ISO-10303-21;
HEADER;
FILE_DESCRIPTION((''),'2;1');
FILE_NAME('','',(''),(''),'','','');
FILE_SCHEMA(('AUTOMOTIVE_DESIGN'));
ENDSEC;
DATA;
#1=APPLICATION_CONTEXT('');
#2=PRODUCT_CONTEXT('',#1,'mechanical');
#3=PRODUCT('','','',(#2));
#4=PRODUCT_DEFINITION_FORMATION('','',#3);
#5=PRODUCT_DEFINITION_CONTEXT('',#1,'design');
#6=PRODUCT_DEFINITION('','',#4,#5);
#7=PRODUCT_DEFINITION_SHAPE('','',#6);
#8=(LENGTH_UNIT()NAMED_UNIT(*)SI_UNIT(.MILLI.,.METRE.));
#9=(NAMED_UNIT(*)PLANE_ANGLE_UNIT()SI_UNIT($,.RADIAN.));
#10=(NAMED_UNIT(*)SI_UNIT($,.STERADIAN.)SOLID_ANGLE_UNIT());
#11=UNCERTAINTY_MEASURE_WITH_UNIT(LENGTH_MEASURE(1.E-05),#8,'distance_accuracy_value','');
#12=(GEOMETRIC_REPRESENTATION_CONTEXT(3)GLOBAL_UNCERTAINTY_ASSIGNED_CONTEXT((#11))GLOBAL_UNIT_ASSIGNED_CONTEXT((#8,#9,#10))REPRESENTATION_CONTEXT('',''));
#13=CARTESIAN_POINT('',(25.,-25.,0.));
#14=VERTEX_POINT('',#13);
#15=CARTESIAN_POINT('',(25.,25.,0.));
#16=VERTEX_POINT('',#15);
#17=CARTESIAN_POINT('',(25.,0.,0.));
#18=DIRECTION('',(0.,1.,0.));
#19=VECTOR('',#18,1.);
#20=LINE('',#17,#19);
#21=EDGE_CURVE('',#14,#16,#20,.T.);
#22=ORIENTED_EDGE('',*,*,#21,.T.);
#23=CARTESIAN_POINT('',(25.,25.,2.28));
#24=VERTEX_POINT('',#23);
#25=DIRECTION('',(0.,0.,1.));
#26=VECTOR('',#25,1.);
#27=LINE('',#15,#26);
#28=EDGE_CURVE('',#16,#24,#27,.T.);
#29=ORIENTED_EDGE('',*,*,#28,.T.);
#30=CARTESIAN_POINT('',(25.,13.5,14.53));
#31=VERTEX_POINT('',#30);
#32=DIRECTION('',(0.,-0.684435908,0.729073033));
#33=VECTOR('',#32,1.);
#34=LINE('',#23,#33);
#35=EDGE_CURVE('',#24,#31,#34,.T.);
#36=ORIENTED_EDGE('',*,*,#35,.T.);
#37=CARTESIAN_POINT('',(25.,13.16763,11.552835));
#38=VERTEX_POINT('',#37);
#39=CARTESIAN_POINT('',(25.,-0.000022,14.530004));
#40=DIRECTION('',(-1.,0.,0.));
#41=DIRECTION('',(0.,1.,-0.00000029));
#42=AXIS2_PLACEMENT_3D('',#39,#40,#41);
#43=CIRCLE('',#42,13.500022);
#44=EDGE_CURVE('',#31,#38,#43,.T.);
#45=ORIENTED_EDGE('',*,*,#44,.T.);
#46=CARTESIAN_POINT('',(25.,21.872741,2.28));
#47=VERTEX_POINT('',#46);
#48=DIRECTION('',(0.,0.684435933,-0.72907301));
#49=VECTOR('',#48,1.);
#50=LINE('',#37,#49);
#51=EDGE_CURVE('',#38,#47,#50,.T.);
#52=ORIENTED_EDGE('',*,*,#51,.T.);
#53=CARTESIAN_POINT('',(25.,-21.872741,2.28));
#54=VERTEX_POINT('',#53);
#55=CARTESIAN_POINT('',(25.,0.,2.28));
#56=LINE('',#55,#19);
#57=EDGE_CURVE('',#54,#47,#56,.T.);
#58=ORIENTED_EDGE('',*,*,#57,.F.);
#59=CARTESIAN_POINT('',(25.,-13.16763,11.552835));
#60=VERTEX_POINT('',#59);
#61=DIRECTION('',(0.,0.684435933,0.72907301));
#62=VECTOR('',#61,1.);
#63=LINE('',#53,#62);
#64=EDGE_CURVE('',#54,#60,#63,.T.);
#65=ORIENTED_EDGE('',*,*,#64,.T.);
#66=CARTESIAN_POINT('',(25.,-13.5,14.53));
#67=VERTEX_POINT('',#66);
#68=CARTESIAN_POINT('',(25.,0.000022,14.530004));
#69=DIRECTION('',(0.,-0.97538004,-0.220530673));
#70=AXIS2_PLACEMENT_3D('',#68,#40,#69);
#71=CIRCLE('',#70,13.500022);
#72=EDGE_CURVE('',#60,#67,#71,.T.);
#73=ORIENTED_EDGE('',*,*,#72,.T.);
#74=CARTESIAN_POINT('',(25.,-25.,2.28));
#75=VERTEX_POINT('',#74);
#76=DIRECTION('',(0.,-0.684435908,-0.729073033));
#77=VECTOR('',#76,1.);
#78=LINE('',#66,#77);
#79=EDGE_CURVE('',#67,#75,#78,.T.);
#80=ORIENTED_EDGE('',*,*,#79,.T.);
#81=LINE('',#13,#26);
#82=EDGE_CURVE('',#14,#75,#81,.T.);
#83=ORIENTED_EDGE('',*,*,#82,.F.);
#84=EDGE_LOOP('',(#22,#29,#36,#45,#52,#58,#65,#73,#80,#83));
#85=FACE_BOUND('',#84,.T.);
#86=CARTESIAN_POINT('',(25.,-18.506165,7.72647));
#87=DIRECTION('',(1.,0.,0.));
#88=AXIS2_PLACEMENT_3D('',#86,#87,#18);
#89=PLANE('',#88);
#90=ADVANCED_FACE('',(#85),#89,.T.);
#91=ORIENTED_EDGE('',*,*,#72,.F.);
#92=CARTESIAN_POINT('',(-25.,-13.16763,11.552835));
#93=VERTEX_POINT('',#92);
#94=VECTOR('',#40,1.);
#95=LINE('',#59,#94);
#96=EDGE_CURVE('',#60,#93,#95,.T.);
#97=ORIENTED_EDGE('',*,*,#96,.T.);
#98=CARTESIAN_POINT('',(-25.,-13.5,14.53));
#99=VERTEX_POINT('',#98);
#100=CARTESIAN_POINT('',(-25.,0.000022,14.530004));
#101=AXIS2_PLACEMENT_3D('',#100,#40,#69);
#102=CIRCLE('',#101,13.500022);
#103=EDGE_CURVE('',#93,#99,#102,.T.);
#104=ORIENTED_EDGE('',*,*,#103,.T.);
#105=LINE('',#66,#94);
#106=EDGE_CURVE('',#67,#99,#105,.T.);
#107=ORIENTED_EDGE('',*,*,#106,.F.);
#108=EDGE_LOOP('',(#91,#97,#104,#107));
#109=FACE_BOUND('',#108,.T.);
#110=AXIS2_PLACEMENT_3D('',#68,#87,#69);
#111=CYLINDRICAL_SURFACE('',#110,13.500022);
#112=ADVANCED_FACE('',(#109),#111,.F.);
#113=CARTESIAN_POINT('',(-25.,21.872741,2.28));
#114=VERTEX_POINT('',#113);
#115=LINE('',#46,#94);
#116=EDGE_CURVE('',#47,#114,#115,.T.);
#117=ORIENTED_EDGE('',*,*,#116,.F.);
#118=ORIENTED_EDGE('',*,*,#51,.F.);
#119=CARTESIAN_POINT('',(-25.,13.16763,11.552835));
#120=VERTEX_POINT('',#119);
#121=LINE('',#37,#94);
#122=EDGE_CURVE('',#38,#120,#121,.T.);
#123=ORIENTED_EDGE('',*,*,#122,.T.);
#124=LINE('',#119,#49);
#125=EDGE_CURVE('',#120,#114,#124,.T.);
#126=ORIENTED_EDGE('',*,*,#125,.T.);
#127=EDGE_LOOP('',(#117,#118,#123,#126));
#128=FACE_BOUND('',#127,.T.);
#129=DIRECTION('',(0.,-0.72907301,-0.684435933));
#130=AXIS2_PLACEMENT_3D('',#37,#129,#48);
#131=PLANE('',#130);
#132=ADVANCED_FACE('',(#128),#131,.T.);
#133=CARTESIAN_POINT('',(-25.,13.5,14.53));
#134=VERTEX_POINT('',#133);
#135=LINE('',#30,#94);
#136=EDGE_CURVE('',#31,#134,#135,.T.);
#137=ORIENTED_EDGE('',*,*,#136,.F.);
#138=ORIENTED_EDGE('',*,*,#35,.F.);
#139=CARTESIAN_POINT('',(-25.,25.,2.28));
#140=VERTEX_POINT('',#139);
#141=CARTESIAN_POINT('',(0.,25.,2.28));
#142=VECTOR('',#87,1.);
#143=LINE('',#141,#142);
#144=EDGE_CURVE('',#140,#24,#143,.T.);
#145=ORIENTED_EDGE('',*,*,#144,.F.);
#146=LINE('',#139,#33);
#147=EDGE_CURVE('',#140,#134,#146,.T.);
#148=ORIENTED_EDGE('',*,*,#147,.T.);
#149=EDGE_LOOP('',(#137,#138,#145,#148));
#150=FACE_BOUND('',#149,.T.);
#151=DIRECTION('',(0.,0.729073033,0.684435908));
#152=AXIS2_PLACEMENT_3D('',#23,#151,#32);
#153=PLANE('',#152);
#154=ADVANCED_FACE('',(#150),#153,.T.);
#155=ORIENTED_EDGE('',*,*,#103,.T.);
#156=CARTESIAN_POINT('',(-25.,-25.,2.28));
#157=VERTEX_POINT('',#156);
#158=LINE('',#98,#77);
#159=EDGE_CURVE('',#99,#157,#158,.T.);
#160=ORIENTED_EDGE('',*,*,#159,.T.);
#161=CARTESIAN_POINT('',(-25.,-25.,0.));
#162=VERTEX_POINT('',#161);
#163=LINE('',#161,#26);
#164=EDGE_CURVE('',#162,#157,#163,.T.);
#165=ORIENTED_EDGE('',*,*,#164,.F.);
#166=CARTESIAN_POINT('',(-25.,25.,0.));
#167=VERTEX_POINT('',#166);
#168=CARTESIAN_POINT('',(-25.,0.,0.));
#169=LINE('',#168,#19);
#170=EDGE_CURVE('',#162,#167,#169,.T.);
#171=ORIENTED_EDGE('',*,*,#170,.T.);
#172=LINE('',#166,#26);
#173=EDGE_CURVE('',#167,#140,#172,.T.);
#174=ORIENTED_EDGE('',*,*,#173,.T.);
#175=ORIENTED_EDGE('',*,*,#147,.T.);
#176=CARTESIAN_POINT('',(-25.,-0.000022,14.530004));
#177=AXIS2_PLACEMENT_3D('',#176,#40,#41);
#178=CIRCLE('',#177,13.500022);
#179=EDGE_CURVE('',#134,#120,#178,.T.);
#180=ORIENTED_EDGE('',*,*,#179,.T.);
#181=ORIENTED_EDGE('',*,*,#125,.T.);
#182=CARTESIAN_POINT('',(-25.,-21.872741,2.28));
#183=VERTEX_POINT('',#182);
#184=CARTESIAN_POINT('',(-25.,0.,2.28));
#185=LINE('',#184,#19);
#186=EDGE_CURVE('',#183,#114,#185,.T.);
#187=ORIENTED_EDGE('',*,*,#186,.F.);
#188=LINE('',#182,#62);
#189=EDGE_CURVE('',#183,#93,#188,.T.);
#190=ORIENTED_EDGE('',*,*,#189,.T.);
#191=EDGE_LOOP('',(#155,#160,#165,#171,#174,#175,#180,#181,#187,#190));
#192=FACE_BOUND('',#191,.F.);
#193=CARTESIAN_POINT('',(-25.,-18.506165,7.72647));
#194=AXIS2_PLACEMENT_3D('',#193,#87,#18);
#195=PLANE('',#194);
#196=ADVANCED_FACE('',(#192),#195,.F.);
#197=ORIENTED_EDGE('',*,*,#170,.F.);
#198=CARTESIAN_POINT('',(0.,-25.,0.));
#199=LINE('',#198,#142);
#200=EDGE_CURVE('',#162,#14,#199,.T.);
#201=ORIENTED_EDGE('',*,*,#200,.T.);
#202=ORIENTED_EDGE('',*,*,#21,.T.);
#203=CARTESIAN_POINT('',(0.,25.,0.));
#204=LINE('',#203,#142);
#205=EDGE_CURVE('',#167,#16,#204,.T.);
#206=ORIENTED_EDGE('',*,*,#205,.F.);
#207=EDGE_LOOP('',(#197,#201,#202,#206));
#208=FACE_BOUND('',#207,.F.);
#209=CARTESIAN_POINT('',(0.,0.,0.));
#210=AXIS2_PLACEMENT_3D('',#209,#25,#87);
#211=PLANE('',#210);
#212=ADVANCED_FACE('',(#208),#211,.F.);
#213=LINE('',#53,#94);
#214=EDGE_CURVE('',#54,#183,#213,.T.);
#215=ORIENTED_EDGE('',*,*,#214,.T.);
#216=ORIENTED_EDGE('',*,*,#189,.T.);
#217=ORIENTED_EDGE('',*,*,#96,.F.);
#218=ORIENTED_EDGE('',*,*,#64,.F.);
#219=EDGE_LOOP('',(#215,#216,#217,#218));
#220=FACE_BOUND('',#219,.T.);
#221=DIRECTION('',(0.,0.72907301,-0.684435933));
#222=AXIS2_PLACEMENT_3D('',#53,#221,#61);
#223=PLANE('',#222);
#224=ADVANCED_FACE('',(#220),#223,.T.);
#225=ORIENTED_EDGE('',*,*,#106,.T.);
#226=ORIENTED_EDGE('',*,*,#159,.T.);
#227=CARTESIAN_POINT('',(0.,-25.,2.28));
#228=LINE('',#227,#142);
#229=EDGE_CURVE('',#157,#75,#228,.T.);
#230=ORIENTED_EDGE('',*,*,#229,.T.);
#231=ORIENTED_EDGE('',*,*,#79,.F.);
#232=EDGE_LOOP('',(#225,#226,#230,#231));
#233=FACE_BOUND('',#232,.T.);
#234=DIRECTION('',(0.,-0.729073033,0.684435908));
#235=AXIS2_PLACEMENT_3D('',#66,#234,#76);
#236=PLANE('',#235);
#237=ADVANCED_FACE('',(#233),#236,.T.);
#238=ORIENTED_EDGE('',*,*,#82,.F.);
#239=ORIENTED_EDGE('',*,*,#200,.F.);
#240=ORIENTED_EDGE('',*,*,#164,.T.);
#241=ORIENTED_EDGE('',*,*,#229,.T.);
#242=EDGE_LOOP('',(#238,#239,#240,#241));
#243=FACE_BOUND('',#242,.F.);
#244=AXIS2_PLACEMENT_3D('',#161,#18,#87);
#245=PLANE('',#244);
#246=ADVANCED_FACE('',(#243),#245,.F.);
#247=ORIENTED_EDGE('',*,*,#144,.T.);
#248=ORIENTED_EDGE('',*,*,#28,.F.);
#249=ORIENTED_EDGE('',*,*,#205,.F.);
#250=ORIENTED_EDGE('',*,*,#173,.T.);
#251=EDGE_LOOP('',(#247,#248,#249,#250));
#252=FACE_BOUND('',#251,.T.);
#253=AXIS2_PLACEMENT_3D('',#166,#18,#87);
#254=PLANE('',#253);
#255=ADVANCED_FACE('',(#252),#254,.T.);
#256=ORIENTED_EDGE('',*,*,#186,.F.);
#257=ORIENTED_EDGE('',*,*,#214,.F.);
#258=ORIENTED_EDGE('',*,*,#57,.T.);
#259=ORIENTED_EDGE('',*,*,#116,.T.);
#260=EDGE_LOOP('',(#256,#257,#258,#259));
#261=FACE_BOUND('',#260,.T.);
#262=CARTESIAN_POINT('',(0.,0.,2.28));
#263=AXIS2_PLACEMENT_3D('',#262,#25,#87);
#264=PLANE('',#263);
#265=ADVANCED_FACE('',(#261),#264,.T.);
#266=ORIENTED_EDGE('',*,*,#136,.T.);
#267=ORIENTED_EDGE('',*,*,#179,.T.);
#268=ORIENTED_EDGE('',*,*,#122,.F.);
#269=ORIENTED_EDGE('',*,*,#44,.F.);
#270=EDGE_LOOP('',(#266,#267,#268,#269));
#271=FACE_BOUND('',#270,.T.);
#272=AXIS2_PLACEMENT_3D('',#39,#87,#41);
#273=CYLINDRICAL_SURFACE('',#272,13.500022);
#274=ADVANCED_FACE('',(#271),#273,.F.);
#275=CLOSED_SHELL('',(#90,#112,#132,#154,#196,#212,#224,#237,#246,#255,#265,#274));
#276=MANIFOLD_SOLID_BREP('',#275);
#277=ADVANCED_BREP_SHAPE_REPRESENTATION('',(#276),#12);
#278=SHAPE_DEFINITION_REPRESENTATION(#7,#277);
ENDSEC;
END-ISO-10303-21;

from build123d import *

# Parameters (mm, degrees)
F0_W     = 50
F0_H     = 50
F1_DEPTH = 2.28
F3_DEPTH = 50


with BuildPart() as f1:
    # F0 (on Top) → F1 (new body)
    with BuildSketch(Plane.XY):
        Rectangle(F0_W, F0_H)
    extrude(amount=F1_DEPTH)

    # F2 (on face) → F3 (join)
    with BuildSketch(Plane.YZ.offset(25)):
        with BuildLine():
            Line((-13.5, 14.53), (-25, 2.28))
            Line((-25, 2.28), (-21.872741, 2.28))
            Line((-21.872741, 2.28), (-13.16763, 11.552835))
            ThreePointArc((-13.16763, 11.552835), (-13.41665, 13.03217), (-13.5, 14.53))
        make_face()
        with BuildLine():
            Line((25, 2.28), (13.5, 14.53))
            ThreePointArc((13.5, 14.53), (13.41665, 13.03217), (13.16763, 11.552835))
            Line((13.16763, 11.552835), (21.872741, 2.28))
            Line((21.872741, 2.28), (25, 2.28))
        make_face()
    extrude(amount=-F3_DEPTH)


solid = f1.part
